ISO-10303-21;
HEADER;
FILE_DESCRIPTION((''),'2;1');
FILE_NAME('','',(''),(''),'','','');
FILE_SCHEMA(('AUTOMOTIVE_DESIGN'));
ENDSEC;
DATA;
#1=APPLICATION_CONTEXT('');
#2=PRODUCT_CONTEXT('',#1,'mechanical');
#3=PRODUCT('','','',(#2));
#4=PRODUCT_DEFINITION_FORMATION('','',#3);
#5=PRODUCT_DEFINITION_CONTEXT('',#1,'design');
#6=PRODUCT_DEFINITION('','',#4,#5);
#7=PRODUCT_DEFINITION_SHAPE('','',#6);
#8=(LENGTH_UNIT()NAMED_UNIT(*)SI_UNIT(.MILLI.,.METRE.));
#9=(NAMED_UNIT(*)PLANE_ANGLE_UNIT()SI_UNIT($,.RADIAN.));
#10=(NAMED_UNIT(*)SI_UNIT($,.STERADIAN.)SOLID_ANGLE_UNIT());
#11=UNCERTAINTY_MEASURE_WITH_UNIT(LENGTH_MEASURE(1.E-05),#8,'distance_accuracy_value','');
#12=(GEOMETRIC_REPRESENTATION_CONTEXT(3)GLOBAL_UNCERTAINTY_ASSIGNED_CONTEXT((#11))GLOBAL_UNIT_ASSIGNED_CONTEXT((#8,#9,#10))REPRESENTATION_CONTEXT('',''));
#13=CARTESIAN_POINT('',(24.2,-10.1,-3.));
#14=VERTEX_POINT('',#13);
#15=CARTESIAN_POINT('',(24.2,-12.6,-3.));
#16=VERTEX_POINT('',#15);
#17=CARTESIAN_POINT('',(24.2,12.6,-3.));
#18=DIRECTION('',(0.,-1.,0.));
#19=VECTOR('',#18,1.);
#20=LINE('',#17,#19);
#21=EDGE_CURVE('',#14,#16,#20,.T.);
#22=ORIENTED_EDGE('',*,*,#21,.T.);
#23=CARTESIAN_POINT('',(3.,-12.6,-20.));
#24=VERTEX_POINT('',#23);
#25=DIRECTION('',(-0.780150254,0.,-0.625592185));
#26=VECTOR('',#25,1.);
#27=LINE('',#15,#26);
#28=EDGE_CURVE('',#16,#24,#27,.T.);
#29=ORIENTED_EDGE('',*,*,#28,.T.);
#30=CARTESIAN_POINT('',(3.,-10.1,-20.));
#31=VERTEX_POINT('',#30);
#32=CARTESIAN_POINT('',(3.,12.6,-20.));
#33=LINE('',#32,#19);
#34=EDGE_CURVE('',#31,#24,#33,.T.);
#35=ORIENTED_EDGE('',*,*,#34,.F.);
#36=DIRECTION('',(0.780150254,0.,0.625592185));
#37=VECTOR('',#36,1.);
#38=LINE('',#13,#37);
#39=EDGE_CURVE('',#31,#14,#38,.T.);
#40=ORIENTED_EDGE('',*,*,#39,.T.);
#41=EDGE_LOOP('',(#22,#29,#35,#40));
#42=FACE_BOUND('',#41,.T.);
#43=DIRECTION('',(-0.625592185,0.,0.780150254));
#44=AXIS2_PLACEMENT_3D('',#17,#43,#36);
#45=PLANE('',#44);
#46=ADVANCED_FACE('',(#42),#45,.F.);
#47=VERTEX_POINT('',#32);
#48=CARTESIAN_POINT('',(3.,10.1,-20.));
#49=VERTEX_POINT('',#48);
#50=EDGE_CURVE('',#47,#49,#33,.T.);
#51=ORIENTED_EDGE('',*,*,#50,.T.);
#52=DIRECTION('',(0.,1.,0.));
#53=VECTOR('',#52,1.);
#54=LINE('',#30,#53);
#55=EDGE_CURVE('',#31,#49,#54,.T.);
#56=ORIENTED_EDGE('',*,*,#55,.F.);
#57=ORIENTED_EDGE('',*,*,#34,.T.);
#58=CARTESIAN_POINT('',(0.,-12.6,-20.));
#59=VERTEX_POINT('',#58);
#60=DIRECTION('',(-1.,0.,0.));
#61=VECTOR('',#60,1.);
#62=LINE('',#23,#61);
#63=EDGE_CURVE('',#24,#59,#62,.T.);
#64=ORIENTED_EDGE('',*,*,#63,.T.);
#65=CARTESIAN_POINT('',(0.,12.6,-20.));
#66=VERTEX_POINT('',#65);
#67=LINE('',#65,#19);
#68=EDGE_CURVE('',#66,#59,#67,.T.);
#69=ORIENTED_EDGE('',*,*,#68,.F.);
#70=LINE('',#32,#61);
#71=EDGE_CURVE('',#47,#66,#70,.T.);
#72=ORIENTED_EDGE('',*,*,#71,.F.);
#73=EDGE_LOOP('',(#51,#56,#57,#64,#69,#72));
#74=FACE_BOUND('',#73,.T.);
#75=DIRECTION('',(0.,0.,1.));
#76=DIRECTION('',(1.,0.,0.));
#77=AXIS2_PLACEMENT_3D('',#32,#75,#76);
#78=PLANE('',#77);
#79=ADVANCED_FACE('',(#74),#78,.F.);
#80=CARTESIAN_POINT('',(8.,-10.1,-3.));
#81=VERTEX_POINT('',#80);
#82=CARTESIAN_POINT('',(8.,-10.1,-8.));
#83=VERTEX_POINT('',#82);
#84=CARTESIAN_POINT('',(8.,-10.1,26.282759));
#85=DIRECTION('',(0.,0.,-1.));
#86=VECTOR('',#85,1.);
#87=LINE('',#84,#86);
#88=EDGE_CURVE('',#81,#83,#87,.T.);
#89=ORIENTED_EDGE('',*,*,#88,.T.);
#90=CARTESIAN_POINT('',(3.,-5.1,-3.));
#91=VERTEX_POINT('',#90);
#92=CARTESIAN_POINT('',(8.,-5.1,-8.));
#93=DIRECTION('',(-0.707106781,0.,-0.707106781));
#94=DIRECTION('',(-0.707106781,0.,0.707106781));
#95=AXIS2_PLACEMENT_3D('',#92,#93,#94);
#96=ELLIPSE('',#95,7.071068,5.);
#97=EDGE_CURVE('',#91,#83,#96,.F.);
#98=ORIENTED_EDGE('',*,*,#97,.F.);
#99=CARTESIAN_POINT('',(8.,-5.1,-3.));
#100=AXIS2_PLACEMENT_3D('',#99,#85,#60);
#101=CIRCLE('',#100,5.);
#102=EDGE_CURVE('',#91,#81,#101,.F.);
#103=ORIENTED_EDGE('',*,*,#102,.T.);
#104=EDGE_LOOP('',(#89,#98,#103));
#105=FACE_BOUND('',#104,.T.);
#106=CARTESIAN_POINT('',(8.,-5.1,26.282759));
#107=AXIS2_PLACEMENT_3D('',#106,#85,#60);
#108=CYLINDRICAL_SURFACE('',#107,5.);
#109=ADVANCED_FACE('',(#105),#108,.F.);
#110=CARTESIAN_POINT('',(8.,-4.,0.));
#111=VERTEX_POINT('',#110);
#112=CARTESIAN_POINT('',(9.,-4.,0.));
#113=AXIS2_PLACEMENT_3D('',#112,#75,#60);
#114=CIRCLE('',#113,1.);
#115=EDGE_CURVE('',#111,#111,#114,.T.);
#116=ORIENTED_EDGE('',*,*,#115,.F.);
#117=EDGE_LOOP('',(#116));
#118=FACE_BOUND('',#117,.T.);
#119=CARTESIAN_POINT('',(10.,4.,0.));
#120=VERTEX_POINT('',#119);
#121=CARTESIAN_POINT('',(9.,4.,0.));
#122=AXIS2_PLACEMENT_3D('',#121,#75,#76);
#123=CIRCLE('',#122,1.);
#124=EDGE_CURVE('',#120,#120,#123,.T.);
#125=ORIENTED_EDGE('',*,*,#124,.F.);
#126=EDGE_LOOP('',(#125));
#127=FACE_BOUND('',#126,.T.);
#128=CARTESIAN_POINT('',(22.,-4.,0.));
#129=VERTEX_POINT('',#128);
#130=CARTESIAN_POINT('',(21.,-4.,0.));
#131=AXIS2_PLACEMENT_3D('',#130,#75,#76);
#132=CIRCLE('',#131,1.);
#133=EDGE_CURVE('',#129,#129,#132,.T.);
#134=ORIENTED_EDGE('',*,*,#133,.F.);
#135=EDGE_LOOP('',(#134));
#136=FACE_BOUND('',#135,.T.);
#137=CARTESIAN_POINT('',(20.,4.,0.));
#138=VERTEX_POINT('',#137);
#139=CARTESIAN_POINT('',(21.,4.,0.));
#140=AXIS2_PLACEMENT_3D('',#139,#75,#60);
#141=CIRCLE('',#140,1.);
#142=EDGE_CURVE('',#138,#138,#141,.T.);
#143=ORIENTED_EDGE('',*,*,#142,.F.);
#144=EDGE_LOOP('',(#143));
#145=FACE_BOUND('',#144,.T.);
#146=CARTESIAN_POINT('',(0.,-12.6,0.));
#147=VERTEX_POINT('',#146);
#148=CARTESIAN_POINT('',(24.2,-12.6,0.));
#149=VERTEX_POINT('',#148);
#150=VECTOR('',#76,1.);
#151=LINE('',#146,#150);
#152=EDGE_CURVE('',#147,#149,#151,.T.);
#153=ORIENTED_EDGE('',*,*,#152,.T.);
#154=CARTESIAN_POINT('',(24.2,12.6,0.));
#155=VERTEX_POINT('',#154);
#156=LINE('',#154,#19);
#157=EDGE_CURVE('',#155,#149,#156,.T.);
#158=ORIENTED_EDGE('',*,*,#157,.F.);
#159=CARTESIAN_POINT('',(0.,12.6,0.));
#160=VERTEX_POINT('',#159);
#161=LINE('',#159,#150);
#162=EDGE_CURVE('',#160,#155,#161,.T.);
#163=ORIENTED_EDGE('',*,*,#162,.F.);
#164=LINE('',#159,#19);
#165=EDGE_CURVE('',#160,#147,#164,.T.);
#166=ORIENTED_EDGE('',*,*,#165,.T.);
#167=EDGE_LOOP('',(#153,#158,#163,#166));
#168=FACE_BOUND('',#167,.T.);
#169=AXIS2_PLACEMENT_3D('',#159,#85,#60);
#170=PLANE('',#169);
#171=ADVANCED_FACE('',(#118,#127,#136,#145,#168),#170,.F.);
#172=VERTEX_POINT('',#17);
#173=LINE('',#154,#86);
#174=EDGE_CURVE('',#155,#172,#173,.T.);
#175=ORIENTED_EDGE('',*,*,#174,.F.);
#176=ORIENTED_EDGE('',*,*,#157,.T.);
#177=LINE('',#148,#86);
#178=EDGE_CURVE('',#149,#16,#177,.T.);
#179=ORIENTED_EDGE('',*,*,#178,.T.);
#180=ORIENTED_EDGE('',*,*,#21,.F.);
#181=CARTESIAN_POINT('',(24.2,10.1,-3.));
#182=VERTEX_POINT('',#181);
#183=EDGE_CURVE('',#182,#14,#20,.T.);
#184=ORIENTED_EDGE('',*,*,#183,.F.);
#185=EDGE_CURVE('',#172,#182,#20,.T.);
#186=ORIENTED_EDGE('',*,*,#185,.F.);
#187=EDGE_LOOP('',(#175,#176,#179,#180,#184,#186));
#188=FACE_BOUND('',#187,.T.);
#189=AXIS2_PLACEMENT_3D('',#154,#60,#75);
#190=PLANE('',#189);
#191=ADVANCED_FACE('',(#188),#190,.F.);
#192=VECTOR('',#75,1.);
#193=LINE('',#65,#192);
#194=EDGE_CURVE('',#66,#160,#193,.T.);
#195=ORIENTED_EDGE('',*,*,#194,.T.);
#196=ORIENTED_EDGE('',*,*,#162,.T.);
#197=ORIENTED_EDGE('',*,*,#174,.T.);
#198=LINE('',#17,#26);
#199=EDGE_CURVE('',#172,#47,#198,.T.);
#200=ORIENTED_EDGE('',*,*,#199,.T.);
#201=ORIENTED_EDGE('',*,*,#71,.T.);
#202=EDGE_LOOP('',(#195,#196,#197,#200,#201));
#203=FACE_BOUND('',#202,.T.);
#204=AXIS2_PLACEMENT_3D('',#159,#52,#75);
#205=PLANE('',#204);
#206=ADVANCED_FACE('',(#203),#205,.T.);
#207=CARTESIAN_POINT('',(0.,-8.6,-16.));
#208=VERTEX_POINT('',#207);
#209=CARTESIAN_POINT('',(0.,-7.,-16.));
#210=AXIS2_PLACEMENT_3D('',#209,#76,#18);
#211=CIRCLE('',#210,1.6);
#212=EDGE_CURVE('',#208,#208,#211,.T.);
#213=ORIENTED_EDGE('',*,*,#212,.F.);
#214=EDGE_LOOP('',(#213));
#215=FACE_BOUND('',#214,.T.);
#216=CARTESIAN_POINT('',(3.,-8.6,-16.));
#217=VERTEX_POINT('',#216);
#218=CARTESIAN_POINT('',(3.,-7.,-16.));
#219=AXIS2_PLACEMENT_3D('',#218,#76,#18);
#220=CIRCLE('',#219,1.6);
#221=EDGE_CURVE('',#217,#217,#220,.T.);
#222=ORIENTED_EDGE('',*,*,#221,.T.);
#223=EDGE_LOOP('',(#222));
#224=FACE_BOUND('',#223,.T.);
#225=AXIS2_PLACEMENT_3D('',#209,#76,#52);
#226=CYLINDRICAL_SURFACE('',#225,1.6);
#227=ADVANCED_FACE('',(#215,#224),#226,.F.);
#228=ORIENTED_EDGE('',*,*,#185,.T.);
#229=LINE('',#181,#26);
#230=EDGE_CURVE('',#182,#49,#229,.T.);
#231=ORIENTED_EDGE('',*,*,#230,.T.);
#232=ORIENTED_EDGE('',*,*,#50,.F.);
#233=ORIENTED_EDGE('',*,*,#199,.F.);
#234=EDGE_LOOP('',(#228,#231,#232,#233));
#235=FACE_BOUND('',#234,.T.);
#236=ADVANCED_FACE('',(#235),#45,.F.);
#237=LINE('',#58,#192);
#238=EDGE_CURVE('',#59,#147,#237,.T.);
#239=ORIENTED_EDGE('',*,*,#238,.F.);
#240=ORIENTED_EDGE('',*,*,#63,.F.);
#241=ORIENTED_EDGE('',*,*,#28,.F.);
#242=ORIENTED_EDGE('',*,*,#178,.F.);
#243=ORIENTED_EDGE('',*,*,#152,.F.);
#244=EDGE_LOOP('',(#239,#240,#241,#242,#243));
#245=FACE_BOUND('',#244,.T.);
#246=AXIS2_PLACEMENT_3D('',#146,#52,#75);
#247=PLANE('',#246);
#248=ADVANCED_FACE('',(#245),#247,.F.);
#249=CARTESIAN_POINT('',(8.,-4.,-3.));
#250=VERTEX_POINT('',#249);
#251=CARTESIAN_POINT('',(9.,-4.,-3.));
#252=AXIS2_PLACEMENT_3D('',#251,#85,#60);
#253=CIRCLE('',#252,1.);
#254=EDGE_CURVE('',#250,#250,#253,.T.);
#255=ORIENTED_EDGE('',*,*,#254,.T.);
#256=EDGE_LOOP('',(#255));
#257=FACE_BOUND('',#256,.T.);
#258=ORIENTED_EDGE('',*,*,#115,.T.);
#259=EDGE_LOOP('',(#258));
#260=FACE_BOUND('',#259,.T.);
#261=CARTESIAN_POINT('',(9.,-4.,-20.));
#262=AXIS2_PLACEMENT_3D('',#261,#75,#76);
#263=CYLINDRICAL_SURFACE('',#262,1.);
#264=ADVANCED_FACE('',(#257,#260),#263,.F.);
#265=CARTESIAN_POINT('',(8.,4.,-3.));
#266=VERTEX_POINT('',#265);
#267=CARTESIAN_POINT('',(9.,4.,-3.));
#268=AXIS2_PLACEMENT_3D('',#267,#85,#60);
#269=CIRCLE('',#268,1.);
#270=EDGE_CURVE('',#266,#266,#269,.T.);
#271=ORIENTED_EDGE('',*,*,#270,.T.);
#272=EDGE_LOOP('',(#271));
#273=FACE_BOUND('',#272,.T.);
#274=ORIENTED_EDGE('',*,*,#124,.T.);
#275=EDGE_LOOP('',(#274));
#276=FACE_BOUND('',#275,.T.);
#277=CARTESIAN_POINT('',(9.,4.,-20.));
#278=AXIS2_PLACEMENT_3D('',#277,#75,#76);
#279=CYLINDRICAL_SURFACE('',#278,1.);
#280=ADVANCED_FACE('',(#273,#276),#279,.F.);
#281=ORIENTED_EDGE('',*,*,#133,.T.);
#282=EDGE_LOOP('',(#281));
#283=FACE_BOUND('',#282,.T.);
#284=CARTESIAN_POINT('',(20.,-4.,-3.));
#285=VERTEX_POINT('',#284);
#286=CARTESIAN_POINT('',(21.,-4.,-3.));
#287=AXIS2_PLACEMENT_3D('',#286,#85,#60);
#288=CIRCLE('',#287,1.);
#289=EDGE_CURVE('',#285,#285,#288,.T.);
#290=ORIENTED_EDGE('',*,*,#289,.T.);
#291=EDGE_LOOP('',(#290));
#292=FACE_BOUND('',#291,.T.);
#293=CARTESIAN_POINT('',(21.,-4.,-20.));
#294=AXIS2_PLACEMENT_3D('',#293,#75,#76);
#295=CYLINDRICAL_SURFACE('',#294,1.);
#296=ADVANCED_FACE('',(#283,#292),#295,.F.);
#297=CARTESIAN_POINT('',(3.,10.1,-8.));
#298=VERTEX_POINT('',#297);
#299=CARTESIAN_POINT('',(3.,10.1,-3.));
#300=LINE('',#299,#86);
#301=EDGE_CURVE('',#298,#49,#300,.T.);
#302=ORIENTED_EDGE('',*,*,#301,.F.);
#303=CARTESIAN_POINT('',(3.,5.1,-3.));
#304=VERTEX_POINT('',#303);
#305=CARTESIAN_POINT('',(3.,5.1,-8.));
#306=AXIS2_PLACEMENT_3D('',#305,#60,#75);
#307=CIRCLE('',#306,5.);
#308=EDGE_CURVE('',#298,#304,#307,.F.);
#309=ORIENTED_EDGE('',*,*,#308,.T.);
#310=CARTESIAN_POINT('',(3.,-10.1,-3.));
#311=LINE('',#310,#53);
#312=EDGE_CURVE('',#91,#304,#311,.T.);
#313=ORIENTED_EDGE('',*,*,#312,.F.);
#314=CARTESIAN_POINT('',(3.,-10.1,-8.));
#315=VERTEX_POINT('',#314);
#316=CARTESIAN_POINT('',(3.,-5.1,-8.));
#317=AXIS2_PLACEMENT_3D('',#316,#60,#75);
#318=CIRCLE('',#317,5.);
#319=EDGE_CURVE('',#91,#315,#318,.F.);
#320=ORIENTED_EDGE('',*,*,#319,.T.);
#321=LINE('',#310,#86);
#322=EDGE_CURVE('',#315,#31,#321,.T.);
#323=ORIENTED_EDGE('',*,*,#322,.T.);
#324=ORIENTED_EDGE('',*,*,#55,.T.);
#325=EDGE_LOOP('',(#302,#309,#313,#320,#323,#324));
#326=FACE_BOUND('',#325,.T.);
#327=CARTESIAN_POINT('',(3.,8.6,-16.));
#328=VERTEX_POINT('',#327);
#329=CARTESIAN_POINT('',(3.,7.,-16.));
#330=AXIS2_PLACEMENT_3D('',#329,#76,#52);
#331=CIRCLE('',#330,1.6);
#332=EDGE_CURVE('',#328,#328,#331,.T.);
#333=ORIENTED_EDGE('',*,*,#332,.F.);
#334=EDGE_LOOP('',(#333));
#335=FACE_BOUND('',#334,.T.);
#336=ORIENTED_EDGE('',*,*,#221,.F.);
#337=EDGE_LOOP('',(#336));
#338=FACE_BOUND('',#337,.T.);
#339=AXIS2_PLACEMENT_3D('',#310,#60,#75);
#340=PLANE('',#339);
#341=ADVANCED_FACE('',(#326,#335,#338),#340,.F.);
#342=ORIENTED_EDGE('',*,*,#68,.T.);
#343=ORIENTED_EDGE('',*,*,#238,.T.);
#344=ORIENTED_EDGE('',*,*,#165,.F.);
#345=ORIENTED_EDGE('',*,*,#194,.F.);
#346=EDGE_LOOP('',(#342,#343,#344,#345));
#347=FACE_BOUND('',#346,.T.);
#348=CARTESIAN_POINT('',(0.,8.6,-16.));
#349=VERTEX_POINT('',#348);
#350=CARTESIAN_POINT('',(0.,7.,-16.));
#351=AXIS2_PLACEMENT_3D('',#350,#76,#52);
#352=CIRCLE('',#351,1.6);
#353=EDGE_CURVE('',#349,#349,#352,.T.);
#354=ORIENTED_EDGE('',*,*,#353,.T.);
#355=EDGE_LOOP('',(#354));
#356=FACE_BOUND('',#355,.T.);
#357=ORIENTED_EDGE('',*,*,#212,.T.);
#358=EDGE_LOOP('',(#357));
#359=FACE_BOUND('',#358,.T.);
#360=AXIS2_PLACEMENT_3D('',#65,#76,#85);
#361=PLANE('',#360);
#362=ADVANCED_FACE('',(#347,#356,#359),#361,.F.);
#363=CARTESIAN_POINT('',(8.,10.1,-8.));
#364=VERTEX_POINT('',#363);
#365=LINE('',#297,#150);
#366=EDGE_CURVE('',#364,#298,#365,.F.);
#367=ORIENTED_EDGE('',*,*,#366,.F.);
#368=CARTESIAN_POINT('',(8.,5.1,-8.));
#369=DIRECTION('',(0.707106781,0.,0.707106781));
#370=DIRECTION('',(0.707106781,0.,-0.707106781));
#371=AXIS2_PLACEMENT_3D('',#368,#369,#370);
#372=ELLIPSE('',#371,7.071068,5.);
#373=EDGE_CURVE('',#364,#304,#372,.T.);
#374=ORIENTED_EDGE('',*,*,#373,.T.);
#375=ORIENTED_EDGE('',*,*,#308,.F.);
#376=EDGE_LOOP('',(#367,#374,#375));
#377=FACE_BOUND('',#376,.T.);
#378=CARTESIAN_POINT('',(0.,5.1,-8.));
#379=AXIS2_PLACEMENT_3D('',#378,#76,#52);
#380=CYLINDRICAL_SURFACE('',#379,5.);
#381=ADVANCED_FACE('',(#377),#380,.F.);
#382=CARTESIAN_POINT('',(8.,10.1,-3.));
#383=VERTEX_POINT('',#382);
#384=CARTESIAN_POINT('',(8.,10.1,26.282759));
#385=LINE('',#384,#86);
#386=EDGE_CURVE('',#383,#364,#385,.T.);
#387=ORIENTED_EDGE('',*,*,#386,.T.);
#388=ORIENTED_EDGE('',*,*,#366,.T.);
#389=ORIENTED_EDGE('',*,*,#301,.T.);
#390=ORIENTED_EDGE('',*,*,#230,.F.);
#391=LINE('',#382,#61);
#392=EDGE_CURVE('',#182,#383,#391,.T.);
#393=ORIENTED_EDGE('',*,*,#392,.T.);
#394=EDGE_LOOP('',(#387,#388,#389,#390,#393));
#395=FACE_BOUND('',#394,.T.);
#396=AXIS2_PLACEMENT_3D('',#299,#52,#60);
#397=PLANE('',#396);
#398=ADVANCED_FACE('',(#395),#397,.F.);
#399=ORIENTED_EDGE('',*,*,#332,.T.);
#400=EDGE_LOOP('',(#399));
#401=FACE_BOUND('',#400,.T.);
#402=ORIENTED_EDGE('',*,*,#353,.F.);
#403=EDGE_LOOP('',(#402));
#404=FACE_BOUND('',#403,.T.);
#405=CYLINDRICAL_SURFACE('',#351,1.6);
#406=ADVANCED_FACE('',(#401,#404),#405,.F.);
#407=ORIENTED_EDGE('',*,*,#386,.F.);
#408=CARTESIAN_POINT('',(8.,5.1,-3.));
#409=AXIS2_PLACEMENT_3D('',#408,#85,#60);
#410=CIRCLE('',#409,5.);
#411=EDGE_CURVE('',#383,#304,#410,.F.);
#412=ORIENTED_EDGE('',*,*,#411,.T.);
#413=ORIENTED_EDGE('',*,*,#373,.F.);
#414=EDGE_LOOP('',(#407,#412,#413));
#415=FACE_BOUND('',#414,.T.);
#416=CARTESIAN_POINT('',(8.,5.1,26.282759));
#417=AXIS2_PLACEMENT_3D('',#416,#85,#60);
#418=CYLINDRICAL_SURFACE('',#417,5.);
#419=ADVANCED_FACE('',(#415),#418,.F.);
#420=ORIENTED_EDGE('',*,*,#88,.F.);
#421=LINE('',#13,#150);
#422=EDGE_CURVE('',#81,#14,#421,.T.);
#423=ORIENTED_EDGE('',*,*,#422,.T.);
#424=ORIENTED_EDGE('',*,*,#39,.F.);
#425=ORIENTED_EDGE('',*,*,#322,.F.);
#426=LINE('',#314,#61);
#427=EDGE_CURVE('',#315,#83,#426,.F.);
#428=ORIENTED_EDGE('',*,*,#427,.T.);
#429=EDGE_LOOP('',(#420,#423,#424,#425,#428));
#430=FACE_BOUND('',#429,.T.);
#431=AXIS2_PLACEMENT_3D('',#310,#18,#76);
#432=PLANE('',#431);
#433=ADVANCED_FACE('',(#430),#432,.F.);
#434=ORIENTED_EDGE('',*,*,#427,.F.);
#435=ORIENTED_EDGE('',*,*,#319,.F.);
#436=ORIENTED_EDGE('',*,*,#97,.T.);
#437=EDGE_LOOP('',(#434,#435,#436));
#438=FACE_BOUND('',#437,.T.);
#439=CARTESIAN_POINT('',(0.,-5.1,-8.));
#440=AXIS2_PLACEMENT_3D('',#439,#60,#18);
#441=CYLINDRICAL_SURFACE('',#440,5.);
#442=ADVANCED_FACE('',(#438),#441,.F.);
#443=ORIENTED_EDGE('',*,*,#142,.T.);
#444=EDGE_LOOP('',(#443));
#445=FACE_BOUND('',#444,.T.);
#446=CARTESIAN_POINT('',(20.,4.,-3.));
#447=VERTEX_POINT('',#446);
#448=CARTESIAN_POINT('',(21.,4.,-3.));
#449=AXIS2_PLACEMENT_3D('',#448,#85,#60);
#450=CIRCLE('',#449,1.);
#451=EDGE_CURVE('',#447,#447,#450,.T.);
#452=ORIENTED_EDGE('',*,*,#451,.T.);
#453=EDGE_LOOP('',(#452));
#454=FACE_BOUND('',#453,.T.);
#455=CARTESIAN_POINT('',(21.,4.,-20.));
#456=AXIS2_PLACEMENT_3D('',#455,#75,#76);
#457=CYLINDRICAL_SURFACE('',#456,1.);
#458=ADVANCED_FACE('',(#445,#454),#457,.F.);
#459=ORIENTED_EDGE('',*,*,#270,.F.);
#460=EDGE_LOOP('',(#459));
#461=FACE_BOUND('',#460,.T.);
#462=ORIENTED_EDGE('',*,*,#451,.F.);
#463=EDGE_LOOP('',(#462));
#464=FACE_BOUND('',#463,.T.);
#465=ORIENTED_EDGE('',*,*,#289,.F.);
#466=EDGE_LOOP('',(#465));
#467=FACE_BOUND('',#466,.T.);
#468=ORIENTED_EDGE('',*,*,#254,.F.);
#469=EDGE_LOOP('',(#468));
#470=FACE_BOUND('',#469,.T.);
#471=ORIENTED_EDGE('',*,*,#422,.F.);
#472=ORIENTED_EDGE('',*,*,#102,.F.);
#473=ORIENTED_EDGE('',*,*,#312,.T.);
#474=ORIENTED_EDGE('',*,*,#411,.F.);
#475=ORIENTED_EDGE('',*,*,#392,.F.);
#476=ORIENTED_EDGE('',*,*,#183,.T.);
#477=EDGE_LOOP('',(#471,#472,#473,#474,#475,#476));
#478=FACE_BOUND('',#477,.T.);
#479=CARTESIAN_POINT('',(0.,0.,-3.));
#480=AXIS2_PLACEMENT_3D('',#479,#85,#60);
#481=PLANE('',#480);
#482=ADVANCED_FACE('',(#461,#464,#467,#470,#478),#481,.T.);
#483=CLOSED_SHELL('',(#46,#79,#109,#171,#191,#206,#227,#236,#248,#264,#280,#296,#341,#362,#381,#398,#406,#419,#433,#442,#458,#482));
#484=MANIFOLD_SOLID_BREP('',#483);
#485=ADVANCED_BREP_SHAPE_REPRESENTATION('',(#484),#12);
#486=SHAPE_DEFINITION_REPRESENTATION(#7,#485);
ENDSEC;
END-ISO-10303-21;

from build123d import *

# Parameters (mm, degrees)
EXTRUDE_1_DEPTH     = 12.6
SKETCH_2_W          = 21.2
SKETCH_2_H          = 20.2
CUT_EXTRUDE_1_DEPTH = 17
SKETCH_3_R          = 1
CUT_EXTRUDE_2_DEPTH = 34.828981658
SKETCH_4_R          = 1.6
CUT_EXTRUDE_3_DEPTH = 32.75216528
FILLET_1_R          = 5
CUT_EXTRUDE_4_DEPTH = 17


with BuildPart() as part:
    # 草图1 → 凸台-拉伸1 (new, symmetric)
    with BuildSketch(Plane(origin=(0, 0, 0), x_dir=(1, 0, 0), z_dir=(0, 1, 0))):
        Polygon((0, 0), (24.2, 0), (24.2, 3), (3, 20), (0, 20), align=None)
    extrude(amount=EXTRUDE_1_DEPTH, both=True)

    # 草图2 → 切除-拉伸1 (cut)
    with BuildSketch(Plane(origin=(0, 0, -20), x_dir=(-1, 0, 0), z_dir=(0, 0, -1))):
        with Locations((-13.6, 0)):
            Rectangle(SKETCH_2_W, SKETCH_2_H)
    extrude(amount=-CUT_EXTRUDE_1_DEPTH, mode=Mode.SUBTRACT)

    # 草图3 → 切除-拉伸2 (cut, through all)
    with BuildSketch(Plane.XY):
        with Locations((21, -4)):
            Circle(SKETCH_3_R)
        with Locations(Location((21, 4, 0), (0, 0, 180))):
            Circle(SKETCH_3_R)
        with Locations((9, 4)):
            Circle(SKETCH_3_R)
        with Locations(Location((9, -4, 0), (0, 0, 180))):
            Circle(SKETCH_3_R)
    extrude(amount=-CUT_EXTRUDE_2_DEPTH, mode=Mode.SUBTRACT)

    # 草图4 → 切除-拉伸3 (cut, through all)
    with BuildSketch(Plane(origin=(3, 0, 0), x_dir=(0, 0, -1), z_dir=(1, 0, 0))):
        with Locations(Location((16, 7, 0), (0, 0, 90))):
            Circle(SKETCH_4_R)
        with Locations(Location((16, -7, 0), (0, 0, 270))):
            Circle(SKETCH_4_R)
    extrude(amount=-CUT_EXTRUDE_3_DEPTH, mode=Mode.SUBTRACT)

    # 圆角1
    fillet_1_edges = [part.edges().sort_by_distance(p)[0] for p in [
        (13.6, -10.1, -3),
        (13.6, 10.1, -3),
    ]]
    fillet(fillet_1_edges, radius=FILLET_1_R)

    # 草图6 → 切除-拉伸4 (cut)
    with BuildSketch(Plane(origin=(0, 0, -20), x_dir=(-1, 0, 0), z_dir=(0, 0, -1))):
        with BuildLine():
            Line((-3, -5.1), (-3, 5.1))
            ThreePointArc((-3, 5.1), (-4.464466094, 8.635533906), (-8, 10.1))
            Line((-8, 10.1), (-24.2, 10.1))
            Line((-24.2, 10.1), (-24.2, -10.1))
            Line((-24.2, -10.1), (-8, -10.1))
            ThreePointArc((-8, -10.1), (-4.464466094, -8.635533906), (-3, -5.1))
        make_face()
    extrude(amount=-CUT_EXTRUDE_4_DEPTH, mode=Mode.SUBTRACT)


solid = part.part
